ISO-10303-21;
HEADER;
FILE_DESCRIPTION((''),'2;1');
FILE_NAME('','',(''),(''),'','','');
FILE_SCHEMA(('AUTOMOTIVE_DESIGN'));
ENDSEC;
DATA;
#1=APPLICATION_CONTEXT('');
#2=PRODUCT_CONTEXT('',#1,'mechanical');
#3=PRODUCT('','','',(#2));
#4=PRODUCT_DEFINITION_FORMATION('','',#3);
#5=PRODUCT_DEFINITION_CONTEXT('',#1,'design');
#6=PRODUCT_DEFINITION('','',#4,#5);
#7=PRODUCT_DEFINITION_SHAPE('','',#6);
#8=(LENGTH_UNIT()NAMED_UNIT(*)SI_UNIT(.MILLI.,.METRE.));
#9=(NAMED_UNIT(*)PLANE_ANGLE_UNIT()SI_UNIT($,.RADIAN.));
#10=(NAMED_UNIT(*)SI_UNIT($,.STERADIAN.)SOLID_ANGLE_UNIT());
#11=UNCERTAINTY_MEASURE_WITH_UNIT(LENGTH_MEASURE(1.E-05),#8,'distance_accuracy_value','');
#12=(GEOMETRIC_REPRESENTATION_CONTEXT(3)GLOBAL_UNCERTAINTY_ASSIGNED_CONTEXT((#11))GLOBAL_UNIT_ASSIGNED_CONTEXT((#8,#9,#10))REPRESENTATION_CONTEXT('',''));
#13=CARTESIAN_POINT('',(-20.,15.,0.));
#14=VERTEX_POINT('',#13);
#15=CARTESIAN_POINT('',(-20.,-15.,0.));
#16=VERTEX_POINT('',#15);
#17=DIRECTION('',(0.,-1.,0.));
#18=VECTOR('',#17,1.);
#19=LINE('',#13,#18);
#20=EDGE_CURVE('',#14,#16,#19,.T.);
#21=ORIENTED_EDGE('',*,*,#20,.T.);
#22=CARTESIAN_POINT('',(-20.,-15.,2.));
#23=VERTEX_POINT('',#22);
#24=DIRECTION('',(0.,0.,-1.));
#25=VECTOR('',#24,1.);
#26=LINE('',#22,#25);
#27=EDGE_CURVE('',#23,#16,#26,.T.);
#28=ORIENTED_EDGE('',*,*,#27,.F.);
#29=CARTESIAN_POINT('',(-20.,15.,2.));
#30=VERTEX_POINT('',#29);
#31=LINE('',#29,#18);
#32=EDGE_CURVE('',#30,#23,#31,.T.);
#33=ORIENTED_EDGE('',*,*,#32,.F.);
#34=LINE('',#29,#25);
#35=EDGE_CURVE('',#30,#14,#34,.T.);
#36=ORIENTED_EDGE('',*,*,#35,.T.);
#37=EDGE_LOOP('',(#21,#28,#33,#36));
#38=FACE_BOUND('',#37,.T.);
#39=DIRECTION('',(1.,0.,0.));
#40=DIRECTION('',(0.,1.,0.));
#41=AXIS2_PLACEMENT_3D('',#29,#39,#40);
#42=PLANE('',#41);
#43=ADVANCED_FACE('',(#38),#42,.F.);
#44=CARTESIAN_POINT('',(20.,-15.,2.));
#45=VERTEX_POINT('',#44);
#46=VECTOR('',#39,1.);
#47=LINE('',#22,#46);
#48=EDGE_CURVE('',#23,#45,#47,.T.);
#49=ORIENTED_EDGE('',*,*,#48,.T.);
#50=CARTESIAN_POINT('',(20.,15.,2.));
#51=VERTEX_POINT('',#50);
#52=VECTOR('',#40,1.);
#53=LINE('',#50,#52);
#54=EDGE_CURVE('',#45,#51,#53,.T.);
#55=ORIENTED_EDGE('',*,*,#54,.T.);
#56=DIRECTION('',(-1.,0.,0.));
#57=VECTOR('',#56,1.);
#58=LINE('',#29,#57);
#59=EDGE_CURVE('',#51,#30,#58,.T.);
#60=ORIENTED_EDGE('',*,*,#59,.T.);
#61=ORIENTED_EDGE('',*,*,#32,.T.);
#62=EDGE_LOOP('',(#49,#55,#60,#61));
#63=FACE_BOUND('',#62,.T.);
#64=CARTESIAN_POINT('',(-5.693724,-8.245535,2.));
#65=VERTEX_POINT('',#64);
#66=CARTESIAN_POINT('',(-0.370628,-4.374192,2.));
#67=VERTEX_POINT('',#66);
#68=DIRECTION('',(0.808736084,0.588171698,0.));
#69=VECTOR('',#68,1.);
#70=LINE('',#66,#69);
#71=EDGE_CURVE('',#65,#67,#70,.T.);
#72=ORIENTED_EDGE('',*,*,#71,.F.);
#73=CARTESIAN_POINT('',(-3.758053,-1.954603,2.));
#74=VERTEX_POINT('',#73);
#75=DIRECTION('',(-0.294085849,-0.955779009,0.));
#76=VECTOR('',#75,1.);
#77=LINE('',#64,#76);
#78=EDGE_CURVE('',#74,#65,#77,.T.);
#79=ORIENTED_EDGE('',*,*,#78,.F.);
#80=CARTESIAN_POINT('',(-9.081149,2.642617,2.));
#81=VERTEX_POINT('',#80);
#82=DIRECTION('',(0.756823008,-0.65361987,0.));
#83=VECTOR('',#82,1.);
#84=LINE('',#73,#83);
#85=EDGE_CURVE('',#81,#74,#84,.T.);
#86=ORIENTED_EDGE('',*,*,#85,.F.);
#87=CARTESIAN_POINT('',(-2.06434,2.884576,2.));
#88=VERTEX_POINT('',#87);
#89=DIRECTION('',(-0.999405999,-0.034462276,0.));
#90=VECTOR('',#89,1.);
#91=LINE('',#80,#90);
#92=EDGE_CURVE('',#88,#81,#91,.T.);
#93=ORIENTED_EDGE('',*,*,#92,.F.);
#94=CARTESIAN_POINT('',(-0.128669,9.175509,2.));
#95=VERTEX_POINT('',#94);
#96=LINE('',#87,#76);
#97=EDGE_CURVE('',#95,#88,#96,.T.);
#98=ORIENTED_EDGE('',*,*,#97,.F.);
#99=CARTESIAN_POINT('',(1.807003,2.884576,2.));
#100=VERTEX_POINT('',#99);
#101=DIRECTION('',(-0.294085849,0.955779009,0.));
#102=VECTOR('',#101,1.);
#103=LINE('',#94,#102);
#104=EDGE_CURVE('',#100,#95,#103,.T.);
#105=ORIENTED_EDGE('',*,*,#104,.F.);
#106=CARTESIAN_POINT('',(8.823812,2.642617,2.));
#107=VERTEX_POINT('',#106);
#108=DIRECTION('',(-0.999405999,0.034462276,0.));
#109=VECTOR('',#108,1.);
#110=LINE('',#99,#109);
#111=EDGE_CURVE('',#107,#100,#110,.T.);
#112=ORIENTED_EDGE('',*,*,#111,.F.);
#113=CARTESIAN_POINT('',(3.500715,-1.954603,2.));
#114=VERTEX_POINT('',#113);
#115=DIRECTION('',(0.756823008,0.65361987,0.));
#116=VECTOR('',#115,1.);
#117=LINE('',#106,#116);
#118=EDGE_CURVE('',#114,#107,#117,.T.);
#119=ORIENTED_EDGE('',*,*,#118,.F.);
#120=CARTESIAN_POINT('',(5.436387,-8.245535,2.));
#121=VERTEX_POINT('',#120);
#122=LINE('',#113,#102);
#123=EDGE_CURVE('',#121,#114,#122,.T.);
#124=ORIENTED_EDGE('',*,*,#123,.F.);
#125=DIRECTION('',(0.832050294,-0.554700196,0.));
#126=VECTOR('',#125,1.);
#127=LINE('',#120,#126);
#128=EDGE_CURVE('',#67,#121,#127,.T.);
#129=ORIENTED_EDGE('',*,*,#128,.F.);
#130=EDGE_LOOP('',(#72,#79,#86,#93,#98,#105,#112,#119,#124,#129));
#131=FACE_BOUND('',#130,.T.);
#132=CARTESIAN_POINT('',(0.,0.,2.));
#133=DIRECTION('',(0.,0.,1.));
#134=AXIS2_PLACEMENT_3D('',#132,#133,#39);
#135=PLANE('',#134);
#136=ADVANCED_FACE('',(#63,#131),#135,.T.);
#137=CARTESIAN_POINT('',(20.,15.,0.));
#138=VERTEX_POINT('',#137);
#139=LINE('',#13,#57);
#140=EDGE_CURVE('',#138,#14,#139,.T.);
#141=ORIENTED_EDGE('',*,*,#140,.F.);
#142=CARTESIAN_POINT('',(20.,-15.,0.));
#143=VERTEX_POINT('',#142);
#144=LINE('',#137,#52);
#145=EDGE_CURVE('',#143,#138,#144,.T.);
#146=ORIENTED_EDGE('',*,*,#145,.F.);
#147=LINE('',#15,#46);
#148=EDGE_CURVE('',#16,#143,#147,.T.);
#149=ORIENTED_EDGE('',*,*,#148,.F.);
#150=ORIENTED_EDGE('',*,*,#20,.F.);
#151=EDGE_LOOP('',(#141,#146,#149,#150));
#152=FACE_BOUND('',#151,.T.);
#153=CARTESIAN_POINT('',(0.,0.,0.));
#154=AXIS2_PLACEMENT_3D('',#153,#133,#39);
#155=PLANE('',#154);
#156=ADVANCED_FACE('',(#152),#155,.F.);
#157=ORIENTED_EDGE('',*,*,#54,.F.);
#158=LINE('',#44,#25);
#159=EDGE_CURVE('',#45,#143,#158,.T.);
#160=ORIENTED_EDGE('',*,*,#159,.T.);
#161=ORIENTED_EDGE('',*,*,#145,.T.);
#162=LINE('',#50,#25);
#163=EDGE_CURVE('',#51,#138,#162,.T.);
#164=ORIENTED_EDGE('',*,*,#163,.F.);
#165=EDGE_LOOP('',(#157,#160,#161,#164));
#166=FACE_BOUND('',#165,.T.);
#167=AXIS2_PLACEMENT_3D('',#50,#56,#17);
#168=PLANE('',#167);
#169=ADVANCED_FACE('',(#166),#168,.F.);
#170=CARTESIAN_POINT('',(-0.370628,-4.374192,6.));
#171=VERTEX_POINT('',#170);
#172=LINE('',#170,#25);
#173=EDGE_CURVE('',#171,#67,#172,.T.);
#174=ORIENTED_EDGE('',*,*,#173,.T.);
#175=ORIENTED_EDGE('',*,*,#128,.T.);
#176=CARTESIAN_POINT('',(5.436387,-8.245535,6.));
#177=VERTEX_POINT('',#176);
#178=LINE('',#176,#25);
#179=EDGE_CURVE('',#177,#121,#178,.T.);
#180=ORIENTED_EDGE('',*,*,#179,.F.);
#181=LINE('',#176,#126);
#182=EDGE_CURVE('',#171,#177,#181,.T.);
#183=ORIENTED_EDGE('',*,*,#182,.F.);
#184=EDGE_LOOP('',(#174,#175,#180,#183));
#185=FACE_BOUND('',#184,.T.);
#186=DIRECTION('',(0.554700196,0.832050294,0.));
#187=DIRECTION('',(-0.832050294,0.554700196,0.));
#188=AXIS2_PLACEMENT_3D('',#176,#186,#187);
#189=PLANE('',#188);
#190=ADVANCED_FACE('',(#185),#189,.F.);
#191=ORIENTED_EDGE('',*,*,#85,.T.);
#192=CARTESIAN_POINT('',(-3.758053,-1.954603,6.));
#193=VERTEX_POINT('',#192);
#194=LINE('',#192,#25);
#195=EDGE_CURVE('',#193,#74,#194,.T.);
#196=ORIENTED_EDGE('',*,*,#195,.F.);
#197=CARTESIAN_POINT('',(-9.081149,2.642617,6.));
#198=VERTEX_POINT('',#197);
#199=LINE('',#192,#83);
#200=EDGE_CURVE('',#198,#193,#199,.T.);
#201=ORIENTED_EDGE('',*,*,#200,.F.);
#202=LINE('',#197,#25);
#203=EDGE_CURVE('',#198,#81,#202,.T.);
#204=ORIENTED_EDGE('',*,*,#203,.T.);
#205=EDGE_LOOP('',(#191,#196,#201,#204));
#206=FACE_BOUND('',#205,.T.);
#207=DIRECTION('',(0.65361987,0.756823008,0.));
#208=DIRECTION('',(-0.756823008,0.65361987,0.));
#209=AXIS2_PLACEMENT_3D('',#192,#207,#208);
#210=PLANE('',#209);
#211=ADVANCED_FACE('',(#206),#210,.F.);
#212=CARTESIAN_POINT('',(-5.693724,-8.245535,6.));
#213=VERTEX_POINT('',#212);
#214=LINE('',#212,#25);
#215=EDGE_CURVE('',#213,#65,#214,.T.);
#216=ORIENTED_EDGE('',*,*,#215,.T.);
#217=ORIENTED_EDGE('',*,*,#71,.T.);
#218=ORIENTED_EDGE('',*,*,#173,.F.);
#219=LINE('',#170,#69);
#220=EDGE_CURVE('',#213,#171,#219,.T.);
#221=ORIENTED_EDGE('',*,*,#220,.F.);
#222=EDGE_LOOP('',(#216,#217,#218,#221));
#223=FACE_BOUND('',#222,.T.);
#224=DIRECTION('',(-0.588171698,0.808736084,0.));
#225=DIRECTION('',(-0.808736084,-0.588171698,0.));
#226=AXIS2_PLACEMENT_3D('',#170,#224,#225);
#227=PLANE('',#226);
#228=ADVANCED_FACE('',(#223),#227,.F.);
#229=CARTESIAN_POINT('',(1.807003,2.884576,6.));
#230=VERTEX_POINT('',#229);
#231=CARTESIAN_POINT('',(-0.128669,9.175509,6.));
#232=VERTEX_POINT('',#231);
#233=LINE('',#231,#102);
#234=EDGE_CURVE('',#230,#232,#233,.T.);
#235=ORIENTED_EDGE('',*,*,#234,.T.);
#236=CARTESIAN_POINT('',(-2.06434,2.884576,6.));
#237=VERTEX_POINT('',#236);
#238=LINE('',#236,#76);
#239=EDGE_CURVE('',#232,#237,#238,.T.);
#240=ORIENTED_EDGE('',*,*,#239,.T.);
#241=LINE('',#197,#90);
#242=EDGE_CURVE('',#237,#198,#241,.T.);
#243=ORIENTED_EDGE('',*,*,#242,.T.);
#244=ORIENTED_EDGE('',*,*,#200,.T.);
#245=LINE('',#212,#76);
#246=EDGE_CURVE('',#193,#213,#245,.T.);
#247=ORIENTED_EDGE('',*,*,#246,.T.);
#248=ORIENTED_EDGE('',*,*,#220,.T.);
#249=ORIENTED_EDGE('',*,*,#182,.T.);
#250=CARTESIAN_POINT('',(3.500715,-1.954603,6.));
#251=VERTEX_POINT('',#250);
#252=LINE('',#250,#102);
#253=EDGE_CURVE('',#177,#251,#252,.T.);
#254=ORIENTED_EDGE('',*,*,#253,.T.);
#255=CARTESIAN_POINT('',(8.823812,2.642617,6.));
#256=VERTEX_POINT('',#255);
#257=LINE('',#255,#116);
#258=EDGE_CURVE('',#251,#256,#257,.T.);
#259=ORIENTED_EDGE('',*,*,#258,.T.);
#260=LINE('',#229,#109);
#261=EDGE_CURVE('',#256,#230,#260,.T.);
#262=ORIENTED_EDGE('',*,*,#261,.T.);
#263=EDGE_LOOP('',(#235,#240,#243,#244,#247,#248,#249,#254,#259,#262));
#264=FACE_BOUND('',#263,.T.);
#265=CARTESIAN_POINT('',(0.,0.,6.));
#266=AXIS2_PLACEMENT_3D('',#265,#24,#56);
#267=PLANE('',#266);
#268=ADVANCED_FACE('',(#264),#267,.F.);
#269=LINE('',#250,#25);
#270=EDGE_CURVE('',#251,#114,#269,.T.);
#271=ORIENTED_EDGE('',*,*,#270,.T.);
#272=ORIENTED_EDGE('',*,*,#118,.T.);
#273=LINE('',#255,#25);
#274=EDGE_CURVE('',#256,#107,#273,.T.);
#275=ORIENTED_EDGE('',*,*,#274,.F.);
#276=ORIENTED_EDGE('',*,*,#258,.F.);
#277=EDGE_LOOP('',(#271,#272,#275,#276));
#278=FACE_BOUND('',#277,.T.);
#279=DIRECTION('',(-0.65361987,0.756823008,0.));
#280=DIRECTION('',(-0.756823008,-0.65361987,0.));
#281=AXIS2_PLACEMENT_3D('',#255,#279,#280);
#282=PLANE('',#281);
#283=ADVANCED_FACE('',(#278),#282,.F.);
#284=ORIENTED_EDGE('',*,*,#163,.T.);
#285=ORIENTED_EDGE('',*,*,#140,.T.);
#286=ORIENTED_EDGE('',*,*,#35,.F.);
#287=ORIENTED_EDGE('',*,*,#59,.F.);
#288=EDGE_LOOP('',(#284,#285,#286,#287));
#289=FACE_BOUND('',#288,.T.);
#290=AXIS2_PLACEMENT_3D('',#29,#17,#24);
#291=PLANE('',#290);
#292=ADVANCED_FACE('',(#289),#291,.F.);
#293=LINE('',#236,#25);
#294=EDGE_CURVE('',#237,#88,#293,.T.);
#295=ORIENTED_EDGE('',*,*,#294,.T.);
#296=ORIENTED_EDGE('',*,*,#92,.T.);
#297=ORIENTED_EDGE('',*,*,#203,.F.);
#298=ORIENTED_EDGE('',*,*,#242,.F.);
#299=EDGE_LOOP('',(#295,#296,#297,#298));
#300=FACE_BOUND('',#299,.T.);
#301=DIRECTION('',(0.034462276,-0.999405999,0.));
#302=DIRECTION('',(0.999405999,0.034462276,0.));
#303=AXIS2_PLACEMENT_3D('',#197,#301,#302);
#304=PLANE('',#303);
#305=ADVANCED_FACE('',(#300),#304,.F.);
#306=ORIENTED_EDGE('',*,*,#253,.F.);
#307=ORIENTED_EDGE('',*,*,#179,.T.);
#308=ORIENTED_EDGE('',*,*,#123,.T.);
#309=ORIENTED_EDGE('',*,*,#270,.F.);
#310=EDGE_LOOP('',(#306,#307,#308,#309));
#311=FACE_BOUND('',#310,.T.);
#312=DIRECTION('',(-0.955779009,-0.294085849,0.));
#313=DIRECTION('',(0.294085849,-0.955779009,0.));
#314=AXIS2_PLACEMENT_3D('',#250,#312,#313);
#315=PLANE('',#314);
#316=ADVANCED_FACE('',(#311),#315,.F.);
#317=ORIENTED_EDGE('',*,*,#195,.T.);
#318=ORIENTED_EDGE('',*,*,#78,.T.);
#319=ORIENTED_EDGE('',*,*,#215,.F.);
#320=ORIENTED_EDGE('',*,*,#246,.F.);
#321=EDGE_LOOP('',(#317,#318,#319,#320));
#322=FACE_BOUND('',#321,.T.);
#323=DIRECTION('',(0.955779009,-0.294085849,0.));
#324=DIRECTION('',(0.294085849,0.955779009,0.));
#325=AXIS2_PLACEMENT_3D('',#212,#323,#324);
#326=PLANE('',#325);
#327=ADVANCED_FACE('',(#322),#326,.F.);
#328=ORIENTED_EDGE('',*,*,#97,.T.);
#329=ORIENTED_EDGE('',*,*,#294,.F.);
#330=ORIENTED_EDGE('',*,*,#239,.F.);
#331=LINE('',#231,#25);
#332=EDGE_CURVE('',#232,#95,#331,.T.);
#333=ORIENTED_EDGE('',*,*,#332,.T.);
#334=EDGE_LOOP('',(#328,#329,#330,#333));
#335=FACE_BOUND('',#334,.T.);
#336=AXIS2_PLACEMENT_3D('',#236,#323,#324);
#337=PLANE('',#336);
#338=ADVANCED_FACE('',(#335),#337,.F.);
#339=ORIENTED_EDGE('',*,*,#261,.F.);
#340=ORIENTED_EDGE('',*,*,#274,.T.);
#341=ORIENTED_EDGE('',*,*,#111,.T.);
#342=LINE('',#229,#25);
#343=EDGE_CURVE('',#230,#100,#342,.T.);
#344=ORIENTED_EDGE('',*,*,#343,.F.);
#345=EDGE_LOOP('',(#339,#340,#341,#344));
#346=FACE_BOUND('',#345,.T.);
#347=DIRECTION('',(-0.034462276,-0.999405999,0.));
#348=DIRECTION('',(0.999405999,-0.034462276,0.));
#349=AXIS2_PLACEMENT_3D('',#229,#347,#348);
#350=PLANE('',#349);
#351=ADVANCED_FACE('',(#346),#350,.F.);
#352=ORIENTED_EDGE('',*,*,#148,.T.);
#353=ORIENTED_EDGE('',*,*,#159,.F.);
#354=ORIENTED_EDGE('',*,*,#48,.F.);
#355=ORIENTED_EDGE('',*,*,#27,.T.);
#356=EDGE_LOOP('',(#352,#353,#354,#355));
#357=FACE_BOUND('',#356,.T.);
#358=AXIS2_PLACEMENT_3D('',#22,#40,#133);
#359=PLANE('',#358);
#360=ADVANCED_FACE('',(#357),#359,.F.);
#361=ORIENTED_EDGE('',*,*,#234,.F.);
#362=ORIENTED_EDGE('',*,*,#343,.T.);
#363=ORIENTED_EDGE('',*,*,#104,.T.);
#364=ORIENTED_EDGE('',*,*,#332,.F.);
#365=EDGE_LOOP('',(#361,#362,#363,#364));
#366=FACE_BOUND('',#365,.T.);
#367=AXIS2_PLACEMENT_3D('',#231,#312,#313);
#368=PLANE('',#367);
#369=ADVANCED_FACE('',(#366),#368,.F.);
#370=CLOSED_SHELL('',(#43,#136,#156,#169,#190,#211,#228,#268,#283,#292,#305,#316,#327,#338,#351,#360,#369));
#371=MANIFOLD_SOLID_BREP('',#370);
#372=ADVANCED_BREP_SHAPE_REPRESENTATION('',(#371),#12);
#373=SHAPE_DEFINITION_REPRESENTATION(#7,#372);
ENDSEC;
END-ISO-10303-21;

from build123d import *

# Parameters (mm, degrees)
SKETCH1_W           = 40
SKETCH1_H           = 30
BOSS_EXTRUDE1_DEPTH = 2
BOSS_EXTRUDE2_DEPTH = 4


with BuildPart() as part:
    # Sketch1 → Boss-Extrude1 (new body)
    with BuildSketch(Plane.XY):
        Rectangle(SKETCH1_W, SKETCH1_H)
    extrude(amount=BOSS_EXTRUDE1_DEPTH)

    # Sketch2 → Boss-Extrude2 (add)
    with BuildSketch(Plane.XY.offset(2)):
        Polygon((-0.128668655, 9.175508535), (1.807002834, 2.884576195), (8.823811983, 2.642617259), (3.500715387, -1.954602529), (5.436386876, -8.245534869), (-0.370627592, -4.37419189), (-5.693724187, -8.245534869), (-3.758052698, -1.954602529), (-9.081149293, 2.642617259), (-2.064340145, 2.884576195), align=None)
    extrude(amount=BOSS_EXTRUDE2_DEPTH)


solid = part.part
